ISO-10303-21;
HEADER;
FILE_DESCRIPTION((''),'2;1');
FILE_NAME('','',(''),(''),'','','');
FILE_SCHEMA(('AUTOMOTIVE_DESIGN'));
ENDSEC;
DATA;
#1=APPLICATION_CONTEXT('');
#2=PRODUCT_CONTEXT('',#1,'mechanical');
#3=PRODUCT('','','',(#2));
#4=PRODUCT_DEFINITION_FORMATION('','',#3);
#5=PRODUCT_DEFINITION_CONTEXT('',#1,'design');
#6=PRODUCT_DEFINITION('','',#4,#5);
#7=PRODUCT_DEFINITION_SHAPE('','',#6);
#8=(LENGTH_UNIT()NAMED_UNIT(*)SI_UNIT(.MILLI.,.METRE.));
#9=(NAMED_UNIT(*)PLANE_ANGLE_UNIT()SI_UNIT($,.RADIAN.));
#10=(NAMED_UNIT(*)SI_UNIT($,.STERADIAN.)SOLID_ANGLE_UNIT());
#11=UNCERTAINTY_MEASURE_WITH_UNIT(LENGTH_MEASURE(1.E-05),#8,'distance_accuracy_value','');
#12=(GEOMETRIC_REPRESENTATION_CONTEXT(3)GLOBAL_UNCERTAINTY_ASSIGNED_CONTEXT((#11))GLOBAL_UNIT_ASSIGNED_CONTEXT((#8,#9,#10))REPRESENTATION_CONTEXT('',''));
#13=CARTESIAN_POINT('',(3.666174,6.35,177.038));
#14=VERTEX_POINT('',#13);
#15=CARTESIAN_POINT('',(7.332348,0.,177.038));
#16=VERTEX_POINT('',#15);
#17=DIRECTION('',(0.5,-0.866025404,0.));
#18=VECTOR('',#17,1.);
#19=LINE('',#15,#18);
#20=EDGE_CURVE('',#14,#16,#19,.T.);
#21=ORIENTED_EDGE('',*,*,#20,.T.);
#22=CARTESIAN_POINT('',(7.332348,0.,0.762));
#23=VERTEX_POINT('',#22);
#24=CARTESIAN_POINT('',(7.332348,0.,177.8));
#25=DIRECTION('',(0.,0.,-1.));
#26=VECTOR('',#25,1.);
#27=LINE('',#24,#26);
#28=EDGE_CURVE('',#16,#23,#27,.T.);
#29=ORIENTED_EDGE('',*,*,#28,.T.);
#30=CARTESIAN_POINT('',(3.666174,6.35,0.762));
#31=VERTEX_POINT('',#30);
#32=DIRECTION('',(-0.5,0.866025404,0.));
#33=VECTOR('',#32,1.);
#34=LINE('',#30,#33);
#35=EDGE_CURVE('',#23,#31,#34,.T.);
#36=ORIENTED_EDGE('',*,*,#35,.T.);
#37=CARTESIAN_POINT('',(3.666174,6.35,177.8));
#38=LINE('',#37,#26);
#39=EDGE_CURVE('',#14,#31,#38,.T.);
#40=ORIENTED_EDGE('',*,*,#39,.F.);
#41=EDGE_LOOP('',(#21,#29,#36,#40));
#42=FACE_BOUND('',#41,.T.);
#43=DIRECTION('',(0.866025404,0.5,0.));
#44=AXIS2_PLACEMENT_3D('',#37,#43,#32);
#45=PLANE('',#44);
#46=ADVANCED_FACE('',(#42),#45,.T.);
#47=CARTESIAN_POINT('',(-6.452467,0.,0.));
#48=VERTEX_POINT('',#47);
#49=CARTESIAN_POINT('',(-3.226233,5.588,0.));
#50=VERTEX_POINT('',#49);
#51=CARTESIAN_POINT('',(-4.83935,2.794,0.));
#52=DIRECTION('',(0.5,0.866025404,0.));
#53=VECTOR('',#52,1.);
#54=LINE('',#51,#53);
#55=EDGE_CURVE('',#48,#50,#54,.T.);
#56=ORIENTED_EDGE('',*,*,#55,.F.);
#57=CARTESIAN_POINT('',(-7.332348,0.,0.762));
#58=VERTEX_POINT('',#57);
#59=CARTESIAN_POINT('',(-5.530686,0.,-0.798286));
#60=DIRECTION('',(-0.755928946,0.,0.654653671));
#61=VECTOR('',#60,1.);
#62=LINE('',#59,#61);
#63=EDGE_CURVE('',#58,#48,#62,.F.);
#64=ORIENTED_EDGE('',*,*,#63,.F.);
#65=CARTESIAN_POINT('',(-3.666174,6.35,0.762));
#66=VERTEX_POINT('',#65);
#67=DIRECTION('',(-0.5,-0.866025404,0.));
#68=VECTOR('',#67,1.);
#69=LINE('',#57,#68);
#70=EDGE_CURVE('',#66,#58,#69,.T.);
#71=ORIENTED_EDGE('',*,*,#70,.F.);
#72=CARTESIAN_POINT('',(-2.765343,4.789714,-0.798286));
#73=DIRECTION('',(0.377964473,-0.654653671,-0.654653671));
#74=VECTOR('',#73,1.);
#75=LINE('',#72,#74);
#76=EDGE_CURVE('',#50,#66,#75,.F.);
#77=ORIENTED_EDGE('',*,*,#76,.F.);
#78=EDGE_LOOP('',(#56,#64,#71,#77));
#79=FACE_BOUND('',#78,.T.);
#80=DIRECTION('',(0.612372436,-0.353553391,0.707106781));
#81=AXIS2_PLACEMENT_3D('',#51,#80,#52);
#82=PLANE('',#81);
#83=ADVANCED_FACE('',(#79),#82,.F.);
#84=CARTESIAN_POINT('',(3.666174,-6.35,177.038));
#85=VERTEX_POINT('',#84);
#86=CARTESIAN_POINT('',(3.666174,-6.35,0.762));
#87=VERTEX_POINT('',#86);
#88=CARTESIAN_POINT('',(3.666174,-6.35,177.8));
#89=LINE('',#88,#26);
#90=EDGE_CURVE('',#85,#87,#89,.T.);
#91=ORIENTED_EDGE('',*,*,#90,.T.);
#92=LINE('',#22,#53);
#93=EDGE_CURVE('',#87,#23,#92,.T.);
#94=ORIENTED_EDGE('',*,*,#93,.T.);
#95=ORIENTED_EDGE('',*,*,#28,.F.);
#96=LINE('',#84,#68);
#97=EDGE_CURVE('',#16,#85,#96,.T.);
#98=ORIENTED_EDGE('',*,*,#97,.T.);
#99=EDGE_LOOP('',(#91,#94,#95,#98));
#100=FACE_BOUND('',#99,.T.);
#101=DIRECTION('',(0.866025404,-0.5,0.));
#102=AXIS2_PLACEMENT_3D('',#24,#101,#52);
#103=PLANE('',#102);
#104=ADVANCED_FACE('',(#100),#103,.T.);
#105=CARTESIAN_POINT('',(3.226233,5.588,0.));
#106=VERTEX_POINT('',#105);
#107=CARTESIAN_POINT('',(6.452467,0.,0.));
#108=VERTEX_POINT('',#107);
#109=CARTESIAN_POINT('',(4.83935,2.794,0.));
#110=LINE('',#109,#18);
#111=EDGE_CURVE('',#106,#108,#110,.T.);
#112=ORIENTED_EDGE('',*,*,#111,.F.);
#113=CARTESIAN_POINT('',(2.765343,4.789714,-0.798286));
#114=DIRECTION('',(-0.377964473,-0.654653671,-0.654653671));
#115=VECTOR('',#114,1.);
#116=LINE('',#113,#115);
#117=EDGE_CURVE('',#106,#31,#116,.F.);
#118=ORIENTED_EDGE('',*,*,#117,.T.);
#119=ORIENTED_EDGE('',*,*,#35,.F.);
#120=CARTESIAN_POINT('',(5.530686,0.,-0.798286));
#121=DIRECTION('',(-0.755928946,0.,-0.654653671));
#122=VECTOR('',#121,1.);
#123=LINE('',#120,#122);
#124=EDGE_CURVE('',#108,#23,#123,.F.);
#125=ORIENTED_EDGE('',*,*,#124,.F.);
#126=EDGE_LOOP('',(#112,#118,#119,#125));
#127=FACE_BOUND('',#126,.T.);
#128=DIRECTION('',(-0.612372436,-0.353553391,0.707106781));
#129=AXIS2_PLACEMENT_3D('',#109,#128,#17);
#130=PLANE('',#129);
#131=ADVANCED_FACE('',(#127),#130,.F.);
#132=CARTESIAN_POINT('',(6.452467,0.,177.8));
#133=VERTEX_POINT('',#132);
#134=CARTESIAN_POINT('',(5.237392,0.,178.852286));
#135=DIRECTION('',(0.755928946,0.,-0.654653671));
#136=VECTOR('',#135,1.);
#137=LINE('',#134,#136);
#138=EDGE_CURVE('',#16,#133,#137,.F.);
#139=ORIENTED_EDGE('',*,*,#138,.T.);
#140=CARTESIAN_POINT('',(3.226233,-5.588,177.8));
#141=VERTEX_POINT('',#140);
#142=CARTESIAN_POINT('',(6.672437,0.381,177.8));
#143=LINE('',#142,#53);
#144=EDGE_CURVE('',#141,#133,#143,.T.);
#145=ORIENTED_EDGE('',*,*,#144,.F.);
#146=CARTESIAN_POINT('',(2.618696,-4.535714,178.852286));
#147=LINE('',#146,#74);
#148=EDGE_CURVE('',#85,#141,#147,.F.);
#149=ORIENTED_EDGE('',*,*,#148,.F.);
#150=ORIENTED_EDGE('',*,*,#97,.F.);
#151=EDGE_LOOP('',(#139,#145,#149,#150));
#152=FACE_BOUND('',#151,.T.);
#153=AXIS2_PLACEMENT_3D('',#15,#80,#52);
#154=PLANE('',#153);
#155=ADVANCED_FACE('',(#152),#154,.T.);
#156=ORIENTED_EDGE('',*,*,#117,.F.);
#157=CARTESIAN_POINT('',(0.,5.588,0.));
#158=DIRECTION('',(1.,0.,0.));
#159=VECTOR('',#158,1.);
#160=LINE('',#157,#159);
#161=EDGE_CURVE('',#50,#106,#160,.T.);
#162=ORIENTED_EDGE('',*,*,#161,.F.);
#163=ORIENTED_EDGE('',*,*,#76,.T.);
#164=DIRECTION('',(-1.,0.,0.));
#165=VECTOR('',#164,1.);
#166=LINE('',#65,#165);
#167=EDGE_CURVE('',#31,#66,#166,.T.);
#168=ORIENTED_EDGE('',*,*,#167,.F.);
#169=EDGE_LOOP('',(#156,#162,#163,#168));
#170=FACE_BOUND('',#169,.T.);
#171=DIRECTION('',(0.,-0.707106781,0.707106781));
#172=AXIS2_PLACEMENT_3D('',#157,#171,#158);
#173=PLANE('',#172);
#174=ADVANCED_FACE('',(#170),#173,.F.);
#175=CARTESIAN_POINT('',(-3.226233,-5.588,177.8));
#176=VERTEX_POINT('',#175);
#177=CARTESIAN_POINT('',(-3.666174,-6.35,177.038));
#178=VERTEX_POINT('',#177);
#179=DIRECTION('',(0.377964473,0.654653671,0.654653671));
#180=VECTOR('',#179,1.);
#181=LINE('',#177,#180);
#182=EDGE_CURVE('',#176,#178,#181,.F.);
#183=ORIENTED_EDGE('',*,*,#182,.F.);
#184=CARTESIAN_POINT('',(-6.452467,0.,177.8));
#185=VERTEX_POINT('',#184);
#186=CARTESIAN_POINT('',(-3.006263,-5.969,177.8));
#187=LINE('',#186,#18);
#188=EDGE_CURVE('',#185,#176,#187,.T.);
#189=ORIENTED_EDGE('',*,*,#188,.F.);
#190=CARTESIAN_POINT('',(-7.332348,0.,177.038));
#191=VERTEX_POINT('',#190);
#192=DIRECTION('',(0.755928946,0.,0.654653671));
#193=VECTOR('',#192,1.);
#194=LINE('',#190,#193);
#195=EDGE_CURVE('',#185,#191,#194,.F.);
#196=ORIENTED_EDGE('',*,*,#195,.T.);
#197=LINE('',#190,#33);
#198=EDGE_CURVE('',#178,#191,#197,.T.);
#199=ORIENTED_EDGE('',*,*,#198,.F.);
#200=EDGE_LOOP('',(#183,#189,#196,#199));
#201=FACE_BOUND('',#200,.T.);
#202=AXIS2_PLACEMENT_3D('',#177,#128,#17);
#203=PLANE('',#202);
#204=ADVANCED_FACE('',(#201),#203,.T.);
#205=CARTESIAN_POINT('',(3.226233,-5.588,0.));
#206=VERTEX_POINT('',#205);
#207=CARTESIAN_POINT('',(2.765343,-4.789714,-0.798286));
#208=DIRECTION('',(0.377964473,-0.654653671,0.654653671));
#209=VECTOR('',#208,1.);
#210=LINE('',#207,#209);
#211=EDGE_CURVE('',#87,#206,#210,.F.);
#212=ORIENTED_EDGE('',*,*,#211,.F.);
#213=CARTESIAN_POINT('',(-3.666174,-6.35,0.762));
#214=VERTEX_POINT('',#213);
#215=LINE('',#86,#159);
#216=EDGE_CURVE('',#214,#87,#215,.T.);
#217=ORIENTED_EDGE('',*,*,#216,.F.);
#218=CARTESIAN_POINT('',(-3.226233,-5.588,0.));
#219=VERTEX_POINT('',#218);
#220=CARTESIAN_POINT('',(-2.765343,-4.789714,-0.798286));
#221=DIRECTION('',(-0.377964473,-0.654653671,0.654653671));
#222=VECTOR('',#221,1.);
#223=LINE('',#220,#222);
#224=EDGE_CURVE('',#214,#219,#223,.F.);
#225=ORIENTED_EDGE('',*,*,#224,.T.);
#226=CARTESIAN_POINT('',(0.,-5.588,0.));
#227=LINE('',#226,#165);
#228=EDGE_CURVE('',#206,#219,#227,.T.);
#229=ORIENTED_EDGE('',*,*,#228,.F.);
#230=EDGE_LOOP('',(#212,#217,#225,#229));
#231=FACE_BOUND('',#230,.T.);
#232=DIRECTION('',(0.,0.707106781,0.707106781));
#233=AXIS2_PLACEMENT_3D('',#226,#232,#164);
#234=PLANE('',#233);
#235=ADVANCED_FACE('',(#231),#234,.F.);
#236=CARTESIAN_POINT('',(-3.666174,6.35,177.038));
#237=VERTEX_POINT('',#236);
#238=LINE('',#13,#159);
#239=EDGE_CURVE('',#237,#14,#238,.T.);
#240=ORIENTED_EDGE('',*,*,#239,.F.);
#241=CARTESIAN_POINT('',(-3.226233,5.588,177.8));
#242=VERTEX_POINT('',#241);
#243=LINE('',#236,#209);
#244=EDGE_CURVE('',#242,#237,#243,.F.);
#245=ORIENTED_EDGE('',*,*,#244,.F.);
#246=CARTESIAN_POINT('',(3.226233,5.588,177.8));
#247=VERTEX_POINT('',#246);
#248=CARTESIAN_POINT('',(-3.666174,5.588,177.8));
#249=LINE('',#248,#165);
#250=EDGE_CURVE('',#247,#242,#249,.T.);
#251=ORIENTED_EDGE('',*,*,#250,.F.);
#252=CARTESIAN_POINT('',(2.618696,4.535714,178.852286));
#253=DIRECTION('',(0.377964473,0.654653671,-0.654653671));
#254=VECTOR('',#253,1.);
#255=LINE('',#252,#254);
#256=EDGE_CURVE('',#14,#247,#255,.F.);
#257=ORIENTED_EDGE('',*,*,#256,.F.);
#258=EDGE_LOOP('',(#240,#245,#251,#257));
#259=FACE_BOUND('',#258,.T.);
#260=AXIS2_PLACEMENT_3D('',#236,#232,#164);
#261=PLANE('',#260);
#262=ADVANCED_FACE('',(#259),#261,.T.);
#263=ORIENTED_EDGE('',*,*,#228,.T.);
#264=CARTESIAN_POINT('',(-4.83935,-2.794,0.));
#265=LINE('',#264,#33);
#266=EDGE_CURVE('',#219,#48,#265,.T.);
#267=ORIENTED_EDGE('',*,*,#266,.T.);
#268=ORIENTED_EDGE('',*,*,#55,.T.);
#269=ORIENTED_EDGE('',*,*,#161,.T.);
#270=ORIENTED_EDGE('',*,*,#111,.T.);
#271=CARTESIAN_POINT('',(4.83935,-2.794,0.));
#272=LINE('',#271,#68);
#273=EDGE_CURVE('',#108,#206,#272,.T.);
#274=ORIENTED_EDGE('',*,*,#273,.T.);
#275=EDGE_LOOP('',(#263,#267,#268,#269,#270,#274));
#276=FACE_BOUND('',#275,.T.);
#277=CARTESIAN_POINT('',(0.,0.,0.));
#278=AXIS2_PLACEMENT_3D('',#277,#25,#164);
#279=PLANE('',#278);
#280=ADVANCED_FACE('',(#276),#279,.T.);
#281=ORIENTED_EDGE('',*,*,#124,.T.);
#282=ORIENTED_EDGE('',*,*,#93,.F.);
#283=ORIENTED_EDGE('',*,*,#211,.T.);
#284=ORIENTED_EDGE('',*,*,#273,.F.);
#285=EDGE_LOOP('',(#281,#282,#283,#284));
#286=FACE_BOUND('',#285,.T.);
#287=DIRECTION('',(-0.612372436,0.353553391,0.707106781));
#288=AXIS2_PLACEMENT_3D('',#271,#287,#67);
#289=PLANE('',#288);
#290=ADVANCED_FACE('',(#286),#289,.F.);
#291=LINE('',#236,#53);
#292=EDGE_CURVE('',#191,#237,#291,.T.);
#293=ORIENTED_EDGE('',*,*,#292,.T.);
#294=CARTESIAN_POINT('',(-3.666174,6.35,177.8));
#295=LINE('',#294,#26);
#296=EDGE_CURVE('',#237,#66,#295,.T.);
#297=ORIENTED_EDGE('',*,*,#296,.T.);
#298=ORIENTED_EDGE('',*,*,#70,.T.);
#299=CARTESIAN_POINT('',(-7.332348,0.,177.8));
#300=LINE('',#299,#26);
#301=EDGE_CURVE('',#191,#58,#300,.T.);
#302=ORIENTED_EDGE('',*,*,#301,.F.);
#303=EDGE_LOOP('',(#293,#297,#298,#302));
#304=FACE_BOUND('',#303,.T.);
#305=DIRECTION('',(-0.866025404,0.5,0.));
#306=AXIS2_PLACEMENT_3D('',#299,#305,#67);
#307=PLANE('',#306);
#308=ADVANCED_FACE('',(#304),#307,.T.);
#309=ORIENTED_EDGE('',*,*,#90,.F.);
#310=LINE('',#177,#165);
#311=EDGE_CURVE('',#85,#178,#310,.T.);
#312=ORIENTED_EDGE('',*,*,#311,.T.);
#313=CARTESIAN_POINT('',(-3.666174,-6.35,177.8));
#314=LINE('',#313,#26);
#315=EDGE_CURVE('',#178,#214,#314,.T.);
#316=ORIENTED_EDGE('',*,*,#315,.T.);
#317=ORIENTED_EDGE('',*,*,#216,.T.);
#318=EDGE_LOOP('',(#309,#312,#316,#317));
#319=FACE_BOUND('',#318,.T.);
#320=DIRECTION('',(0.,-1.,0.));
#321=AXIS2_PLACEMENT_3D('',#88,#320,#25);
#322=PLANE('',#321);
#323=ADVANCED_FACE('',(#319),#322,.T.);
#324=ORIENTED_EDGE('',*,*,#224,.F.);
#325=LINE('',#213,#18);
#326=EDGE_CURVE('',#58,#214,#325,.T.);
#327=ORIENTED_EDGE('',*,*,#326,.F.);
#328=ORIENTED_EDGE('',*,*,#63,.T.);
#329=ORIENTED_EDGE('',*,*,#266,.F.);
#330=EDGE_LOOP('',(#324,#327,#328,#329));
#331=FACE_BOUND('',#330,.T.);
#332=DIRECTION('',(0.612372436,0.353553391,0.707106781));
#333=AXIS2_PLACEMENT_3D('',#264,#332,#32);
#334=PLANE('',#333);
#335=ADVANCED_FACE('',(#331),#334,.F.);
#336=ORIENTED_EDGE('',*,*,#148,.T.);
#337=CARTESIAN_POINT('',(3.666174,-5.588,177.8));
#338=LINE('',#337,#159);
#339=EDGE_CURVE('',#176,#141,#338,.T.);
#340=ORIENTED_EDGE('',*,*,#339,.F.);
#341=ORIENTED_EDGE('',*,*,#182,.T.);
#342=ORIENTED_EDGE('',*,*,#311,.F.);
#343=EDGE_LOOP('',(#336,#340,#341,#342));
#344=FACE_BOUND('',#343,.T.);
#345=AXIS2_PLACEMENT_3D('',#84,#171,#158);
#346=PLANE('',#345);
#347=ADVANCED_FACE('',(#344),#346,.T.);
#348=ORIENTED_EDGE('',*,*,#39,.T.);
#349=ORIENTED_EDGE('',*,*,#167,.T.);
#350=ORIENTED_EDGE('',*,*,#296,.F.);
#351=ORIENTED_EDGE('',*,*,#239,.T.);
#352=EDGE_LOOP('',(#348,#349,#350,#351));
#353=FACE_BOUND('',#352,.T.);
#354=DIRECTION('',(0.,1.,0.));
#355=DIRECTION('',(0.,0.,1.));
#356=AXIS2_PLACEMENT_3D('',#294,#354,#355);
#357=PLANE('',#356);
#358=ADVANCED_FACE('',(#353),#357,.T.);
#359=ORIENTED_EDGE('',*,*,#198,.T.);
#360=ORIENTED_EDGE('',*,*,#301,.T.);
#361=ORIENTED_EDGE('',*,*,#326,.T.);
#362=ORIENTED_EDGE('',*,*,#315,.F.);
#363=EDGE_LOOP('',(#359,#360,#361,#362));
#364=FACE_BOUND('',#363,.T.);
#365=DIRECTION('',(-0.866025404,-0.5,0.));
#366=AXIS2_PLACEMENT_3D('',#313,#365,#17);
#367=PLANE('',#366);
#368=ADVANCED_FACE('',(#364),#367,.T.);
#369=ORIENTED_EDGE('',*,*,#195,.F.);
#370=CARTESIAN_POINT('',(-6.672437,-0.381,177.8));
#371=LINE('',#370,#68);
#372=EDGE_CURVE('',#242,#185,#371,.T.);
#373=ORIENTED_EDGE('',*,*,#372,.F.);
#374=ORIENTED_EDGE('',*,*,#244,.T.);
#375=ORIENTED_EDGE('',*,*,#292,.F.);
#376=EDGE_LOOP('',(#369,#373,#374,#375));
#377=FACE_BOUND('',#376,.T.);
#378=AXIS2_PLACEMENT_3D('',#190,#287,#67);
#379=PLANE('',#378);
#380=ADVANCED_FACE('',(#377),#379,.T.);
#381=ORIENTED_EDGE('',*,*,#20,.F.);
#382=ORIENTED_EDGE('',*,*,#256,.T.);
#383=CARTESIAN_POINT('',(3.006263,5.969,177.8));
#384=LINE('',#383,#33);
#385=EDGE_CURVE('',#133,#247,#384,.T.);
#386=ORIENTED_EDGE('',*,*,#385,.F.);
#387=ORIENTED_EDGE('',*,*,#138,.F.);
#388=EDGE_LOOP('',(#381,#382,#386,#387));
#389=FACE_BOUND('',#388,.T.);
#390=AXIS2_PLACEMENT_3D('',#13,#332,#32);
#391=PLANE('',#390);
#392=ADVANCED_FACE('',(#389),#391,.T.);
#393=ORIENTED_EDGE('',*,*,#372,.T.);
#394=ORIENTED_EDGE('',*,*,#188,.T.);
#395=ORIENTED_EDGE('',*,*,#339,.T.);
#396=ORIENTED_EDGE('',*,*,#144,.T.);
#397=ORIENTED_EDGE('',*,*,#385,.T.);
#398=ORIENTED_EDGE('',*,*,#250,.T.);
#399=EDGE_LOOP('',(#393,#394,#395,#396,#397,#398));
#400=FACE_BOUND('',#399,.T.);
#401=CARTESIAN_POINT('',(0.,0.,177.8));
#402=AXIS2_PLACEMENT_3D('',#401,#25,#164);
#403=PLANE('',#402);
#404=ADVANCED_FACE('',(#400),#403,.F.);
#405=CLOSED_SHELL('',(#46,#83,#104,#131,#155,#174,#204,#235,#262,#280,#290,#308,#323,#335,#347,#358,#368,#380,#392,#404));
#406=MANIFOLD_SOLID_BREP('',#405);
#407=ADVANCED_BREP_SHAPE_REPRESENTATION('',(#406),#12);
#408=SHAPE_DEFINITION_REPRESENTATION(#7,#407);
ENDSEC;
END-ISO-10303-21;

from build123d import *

# Parameters (mm, degrees)
BOSS_EXTRUDE1_DEPTH = 177.8
CHAMFER1_SIZE       = 0.762


with BuildPart() as part:
    # Sketch1 → Boss-Extrude1 (new body)
    with BuildSketch(Plane(origin=(0, 0, 0), x_dir=(-1, 0, 0), z_dir=(0, 0, -1))):
        Polygon((7.332348419, 0), (3.666174209, 6.35), (-3.666174209, 6.35), (-7.332348419, 0), (-3.666174209, -6.35), (3.666174209, -6.35), align=None)
    extrude(amount=-BOSS_EXTRUDE1_DEPTH)

    # Chamfer1
    chamfer1_edges = [part.edges().sort_by_distance(p)[0] for p in [
        (0, 6.35, 177.8),
        (5.499261314, 3.175, 177.8),
        (5.499261314, -3.175, 177.8),
        (0, -6.35, 177.8),
        (-5.499261314, -3.175, 177.8),
        (0, -6.35, 0),
        (5.499261314, -3.175, 0),
        (5.499261314, 3.175, 0),
        (-5.499261314, 3.175, 177.8),
        (0, 6.35, 0),
        (-5.499261314, 3.175, 0),
        (-5.499261314, -3.175, 0),
    ]]
    chamfer(chamfer1_edges, length=CHAMFER1_SIZE)


solid = part.part
